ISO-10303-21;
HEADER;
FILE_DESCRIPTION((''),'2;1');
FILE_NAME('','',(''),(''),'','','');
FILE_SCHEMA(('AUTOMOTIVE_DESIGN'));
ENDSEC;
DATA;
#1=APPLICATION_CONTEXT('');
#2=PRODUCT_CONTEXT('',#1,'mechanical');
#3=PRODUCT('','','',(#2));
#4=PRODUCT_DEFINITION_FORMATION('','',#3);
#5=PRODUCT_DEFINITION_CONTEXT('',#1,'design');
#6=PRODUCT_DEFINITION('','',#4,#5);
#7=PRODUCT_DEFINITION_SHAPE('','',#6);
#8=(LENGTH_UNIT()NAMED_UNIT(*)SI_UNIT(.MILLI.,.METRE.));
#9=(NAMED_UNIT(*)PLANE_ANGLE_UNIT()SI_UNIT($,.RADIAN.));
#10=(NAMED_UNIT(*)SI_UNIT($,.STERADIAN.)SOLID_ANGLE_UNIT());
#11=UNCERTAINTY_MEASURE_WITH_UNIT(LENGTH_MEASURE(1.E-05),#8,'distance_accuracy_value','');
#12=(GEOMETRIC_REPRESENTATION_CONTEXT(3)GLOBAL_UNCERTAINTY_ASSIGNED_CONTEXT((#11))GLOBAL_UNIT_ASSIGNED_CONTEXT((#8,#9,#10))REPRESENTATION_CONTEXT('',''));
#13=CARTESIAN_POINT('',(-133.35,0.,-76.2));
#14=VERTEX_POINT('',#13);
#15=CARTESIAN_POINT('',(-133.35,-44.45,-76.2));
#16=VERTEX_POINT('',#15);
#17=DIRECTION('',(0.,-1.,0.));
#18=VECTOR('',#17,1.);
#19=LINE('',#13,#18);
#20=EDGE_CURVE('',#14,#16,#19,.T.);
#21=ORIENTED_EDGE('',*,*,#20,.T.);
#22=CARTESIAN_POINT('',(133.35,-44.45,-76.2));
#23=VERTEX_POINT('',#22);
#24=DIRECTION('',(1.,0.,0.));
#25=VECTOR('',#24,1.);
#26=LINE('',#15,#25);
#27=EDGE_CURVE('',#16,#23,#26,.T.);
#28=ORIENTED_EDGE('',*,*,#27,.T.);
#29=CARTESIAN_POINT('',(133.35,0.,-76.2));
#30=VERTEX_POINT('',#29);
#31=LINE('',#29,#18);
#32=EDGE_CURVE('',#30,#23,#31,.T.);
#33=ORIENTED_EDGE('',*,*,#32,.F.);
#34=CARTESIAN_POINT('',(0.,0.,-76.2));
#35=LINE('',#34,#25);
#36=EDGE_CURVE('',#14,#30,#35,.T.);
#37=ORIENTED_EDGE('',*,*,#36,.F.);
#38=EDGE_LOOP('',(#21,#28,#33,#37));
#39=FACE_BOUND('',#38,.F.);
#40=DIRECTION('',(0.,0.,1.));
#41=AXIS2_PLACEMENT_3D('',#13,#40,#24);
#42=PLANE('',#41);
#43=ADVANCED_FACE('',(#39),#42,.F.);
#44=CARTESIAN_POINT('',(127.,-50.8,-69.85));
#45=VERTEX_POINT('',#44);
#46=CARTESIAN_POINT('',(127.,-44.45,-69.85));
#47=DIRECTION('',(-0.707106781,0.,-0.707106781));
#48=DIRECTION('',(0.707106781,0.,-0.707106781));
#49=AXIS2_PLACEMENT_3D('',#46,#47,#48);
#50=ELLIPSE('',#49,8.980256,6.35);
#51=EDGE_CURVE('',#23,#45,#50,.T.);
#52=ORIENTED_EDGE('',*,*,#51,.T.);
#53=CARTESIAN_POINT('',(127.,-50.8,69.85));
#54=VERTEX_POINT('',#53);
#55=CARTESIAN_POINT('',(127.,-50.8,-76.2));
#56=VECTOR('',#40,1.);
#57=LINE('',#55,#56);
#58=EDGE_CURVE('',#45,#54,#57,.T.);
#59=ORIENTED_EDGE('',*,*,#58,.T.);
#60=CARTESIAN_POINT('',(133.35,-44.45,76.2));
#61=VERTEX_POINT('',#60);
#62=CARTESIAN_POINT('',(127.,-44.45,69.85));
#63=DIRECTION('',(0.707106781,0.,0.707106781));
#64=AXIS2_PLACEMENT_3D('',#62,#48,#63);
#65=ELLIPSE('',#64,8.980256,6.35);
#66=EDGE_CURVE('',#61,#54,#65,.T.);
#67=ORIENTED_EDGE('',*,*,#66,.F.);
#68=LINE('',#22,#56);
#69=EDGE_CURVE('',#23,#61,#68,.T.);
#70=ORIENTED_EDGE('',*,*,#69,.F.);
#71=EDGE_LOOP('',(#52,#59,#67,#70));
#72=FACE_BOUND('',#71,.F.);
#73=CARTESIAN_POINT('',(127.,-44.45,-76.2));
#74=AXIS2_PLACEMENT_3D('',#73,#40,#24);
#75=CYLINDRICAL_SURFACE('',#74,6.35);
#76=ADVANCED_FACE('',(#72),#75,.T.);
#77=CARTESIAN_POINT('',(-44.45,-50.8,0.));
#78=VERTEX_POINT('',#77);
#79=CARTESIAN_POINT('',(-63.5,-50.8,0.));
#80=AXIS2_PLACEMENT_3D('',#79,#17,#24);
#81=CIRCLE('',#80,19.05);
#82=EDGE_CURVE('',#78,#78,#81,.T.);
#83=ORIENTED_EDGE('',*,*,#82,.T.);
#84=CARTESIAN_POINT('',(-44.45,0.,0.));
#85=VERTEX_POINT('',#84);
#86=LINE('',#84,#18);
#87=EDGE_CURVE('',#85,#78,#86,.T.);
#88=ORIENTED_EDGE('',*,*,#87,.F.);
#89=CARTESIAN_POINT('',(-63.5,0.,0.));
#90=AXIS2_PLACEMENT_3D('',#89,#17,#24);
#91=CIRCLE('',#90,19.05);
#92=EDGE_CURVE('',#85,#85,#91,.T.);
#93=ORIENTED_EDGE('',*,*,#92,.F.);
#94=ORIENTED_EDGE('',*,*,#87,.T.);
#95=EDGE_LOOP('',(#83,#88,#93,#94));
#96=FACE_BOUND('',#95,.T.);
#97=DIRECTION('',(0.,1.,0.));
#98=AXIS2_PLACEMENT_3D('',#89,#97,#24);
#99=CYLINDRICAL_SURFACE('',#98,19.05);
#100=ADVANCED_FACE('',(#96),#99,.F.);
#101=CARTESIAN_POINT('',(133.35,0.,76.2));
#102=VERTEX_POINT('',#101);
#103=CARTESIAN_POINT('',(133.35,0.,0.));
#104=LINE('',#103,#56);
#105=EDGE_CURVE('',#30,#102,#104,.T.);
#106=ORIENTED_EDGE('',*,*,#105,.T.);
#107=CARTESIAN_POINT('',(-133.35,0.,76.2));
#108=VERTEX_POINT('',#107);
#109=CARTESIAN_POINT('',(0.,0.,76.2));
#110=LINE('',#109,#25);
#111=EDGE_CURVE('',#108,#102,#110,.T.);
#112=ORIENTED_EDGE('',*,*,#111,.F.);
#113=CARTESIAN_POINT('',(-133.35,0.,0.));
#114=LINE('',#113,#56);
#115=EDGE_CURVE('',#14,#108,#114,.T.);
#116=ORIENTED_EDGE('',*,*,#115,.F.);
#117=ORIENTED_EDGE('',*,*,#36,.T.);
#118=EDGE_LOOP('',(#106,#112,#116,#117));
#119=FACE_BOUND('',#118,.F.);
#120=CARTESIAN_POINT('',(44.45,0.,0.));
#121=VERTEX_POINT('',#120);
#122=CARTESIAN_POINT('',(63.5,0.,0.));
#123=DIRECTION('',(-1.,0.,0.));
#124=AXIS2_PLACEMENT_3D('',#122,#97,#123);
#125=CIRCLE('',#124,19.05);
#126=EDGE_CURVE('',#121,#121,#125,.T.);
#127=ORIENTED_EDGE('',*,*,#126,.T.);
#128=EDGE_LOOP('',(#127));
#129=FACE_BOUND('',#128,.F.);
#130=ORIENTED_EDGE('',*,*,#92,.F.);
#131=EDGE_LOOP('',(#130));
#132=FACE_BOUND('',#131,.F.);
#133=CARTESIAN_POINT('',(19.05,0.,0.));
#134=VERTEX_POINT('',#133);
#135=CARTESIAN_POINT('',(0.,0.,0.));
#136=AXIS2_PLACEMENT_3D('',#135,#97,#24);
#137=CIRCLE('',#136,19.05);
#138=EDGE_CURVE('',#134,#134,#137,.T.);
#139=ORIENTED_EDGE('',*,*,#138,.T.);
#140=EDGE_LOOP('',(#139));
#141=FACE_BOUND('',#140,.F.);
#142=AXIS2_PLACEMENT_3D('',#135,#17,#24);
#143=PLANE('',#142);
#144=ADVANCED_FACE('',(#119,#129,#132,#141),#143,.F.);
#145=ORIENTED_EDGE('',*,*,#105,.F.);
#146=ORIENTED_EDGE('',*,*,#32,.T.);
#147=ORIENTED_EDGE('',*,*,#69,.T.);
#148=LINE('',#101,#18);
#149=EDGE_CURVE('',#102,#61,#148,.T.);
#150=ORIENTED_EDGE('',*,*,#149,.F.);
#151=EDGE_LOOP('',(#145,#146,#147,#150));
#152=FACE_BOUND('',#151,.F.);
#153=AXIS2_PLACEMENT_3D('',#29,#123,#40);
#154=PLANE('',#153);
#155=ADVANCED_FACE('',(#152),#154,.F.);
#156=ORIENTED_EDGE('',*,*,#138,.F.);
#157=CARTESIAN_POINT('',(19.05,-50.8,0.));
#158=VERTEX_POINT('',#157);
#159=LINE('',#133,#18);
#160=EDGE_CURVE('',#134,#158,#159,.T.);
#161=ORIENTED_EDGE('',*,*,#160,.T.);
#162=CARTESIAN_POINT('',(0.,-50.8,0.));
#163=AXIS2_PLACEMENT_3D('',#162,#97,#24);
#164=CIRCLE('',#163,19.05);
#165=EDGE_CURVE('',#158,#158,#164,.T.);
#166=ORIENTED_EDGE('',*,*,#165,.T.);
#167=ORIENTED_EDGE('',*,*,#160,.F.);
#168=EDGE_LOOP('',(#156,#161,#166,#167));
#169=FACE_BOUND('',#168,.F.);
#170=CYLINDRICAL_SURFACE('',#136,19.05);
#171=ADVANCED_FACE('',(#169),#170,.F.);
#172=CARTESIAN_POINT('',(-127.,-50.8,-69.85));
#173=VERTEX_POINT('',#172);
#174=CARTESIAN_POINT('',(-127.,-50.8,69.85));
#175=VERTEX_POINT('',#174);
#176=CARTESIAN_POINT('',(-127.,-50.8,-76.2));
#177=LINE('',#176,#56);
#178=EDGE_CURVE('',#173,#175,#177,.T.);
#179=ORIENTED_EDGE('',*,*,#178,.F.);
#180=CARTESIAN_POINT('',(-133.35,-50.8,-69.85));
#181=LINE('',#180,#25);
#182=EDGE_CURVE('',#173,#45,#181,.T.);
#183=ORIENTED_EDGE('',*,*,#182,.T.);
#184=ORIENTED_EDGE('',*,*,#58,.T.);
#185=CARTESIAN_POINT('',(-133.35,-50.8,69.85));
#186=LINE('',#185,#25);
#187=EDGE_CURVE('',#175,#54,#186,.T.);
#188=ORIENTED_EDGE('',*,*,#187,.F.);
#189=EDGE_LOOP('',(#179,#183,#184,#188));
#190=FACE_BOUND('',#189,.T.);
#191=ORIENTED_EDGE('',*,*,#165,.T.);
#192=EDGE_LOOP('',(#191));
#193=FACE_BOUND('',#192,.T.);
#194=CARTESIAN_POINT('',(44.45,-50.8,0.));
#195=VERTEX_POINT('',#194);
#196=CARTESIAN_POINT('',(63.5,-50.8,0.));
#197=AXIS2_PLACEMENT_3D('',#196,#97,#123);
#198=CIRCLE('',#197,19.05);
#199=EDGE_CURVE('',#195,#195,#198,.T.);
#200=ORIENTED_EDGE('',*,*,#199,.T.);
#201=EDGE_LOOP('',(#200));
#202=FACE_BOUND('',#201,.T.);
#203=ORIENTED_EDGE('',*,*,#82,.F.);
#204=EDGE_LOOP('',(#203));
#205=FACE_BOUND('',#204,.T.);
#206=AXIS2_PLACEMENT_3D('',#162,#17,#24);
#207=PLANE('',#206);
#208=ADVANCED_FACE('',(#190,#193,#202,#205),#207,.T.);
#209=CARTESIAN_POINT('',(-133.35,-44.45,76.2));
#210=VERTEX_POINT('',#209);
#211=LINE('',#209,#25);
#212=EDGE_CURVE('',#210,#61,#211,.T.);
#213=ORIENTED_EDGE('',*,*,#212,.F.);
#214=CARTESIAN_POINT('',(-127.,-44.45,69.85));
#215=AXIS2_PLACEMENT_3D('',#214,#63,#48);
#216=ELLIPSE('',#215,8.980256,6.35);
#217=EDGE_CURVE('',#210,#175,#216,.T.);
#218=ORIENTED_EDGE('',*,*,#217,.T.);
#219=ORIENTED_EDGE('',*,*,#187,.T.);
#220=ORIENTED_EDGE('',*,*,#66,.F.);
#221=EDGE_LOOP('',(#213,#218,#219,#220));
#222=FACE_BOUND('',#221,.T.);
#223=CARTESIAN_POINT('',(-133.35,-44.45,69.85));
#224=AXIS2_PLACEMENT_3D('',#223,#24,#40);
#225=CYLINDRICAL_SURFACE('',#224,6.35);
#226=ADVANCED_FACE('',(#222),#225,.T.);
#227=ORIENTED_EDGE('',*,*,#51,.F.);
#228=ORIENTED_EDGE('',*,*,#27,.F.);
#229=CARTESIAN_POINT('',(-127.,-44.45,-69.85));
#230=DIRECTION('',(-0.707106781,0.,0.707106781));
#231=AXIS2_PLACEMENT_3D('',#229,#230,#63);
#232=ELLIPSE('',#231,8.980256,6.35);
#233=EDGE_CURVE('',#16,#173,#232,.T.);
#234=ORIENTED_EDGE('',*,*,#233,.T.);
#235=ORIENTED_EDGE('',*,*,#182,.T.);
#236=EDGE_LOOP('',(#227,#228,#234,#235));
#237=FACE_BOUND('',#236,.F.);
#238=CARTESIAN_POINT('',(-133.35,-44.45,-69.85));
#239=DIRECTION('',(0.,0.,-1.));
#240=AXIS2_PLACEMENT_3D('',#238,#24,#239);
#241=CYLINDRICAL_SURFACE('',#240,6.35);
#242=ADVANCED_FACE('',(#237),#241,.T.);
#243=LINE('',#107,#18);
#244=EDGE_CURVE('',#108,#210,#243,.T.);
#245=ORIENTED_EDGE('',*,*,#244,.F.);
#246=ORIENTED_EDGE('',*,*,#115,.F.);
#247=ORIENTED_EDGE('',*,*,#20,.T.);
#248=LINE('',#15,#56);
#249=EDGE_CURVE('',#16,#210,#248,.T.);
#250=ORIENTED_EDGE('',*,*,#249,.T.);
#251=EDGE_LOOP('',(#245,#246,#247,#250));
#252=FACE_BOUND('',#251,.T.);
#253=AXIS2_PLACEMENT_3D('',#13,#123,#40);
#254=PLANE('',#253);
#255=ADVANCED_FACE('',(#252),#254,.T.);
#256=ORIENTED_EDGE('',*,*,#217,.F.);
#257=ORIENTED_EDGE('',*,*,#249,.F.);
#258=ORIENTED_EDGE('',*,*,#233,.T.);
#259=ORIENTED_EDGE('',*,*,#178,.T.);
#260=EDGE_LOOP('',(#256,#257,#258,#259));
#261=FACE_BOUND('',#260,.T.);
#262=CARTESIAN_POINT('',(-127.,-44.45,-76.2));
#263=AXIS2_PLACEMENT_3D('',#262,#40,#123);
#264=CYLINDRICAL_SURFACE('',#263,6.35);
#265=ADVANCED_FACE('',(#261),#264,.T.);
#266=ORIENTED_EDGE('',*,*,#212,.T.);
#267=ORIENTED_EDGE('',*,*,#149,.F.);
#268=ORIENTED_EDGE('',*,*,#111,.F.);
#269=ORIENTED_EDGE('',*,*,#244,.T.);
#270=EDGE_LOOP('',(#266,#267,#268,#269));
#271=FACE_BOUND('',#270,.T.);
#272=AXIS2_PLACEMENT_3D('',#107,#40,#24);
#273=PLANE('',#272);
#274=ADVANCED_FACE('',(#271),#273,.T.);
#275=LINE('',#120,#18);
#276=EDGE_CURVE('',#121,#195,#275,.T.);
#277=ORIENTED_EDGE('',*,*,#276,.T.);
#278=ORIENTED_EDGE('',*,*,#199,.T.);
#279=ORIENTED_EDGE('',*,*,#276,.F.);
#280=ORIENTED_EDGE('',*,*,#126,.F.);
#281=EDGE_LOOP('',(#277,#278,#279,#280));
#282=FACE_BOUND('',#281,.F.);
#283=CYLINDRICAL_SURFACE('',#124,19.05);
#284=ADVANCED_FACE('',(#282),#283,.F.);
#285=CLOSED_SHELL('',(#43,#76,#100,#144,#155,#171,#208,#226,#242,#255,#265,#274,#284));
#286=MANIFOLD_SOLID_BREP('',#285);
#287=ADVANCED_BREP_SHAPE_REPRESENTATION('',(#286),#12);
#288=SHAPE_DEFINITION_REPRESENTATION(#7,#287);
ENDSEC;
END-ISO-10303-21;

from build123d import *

# Parameters (mm, degrees)
F0_W     = 266.7
F0_H     = 152.4
F0_R     = 19.05
F1_DEPTH = 50.8
F2_R     = 6.35


with BuildPart() as f1:
    # F0 (on Front) → F1 (new body)
    with BuildSketch(Plane.XZ):
        Rectangle(F0_W, F0_H)
        with Locations((-63.5, 0)):
            Circle(F0_R, mode=Mode.SUBTRACT)
        with BuildLine():
            ThreePointArc((-19.05, 0), (0, 19.05), (19.05, 0))
            ThreePointArc((19.05, 0), (0, -19.05), (-19.05, 0))
        make_face(mode=Mode.SUBTRACT)
        with BuildLine():
            ThreePointArc((82.55, 0), (63.5, -19.05), (44.45, 0))
            ThreePointArc((44.45, 0), (63.5, 19.05), (82.55, 0))
        make_face(mode=Mode.SUBTRACT)
    extrude(amount=F1_DEPTH)

    # F2
    f2_edges = [f1.edges().sort_by_distance(p)[0] for p in [
        (0, -50.8, 76.2),
        (-133.35, -50.8, 0),
        (0, -50.8, -76.2),
        (133.35, -50.8, 0),
    ]]
    fillet(f2_edges, radius=F2_R)


solid = f1.part
